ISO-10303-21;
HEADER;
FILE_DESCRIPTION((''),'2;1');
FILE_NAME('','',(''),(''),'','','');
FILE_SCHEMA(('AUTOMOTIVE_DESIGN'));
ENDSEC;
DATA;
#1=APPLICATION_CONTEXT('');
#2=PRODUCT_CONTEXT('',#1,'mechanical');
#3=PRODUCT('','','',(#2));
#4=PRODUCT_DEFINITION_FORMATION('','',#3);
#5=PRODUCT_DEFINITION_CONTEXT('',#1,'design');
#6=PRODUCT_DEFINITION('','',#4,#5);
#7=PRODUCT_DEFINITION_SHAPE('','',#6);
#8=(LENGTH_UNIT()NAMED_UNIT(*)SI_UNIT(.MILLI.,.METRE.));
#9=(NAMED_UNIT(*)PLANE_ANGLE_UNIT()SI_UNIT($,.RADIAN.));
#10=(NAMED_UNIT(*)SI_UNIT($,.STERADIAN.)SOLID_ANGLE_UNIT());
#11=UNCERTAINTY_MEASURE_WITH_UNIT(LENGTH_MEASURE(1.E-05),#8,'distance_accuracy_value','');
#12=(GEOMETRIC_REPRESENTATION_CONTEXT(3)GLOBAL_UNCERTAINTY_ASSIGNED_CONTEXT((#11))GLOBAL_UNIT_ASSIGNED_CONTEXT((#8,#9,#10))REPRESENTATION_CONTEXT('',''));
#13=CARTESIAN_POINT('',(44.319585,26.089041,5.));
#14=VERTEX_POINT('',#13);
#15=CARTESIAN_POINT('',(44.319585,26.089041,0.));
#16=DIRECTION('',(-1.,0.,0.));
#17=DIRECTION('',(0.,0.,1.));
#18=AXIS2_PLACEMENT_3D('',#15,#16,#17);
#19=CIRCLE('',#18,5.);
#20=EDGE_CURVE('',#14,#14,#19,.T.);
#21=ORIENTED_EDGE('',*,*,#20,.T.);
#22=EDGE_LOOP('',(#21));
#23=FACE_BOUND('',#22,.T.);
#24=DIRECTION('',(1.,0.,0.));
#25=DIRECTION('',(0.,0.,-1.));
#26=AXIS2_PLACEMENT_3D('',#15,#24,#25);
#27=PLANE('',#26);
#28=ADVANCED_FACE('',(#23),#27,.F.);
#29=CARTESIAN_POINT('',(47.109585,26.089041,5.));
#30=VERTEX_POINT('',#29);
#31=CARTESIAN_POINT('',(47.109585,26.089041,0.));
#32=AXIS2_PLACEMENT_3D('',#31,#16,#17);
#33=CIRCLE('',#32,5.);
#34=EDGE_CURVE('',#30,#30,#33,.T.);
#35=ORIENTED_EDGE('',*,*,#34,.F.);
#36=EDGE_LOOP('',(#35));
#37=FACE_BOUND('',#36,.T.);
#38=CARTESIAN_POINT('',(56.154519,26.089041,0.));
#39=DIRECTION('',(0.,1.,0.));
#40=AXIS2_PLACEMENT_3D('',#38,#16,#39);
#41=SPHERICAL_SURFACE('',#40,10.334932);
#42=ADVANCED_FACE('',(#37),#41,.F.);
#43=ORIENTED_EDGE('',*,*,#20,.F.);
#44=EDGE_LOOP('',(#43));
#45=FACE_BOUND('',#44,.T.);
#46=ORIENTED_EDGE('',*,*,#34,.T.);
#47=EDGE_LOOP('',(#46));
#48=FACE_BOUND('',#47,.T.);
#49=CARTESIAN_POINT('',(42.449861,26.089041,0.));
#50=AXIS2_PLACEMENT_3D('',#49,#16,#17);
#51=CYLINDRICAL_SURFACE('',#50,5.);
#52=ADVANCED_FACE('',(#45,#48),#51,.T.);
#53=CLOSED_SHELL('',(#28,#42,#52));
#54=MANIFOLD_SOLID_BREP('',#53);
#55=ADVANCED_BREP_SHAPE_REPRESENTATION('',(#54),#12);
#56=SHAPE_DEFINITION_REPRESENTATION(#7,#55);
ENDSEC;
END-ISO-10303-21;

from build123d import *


with BuildPart() as part:
    # 草图1 → 旋转1 (revolve)
    with BuildSketch(Plane.XY):
        with BuildLine():
            Line((44.319585498, 26.089041149), (44.319585498, 31.089041149))
            Line((44.319585498, 31.089041149), (47.109585498, 31.089041149))
            ThreePointArc((47.109585498, 31.089041149), (46.147281731, 28.670905612), (45.819586887, 26.089041149))
            Line((45.819586887, 26.089041149), (44.319585498, 26.089041149))
        make_face()
    revolve(axis=Axis((42.449861114, 26.089041149, 0), (1, 0, 0)))


solid = part.part
